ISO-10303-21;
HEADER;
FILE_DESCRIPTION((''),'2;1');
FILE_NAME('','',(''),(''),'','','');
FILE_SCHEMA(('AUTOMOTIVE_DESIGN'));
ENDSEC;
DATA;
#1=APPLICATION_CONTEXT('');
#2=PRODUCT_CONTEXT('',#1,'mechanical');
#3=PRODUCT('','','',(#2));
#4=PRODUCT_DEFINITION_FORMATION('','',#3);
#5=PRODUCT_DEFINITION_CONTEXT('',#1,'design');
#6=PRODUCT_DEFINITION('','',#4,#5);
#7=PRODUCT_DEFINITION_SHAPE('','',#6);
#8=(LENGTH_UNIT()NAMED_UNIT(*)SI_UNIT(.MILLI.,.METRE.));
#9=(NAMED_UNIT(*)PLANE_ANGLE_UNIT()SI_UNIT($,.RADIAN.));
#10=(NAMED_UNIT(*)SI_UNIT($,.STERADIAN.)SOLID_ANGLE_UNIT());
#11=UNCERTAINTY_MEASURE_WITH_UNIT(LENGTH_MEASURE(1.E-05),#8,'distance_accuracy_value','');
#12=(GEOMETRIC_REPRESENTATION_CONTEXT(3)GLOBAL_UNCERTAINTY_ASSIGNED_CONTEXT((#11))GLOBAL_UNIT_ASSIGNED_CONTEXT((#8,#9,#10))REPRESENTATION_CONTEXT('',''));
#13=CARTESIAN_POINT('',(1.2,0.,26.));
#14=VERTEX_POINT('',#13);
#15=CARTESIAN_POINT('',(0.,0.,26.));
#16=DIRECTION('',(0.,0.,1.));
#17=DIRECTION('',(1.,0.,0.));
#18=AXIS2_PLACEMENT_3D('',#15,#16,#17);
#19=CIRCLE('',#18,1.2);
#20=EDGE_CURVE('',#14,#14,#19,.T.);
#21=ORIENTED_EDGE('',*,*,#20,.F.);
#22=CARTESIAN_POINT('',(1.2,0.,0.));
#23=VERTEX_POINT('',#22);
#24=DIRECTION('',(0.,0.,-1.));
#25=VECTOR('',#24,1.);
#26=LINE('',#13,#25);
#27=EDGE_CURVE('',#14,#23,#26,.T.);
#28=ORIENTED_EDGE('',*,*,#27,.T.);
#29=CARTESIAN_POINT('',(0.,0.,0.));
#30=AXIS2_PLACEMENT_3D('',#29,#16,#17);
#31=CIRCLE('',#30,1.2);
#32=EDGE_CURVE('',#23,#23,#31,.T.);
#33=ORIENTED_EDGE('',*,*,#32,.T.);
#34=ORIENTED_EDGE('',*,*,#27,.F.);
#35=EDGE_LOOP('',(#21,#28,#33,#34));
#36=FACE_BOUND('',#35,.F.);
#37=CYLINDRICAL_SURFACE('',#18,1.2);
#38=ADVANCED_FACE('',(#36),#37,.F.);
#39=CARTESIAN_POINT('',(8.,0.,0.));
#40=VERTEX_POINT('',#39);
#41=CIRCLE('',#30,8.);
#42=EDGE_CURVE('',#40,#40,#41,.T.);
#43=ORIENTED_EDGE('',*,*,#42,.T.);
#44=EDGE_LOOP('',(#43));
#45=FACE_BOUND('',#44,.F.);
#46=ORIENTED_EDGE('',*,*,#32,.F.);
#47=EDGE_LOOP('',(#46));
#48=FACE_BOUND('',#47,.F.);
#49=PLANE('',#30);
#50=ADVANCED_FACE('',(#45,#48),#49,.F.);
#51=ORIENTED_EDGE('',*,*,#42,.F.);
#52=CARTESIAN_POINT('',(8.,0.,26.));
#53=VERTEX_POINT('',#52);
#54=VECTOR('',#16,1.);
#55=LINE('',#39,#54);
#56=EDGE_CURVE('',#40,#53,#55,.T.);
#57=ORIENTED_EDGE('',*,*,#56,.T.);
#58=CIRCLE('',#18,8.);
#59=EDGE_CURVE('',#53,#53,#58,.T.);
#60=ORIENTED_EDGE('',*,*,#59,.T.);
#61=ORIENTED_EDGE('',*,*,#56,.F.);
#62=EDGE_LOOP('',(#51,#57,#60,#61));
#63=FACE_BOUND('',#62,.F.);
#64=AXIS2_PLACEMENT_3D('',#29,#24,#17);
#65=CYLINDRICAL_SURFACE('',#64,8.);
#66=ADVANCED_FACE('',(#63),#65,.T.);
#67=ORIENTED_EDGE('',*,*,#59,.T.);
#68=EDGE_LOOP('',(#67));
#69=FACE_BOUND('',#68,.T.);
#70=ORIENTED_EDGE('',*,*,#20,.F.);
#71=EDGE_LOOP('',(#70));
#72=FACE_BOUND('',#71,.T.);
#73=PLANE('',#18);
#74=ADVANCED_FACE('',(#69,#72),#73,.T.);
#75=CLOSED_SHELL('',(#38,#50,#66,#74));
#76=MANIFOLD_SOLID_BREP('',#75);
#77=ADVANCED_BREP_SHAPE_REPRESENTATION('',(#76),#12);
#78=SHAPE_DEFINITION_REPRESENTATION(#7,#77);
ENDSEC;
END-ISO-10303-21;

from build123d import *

# Parameters (mm, degrees)
SKETCH_R     = 8
PAD_DEPTH    = 26
SKETCH001_R  = 1.2
POCKET_DEPTH = 35


with BuildPart() as part:
    # Sketch → Pad (new body)
    with BuildSketch(Plane.XY):
        Circle(SKETCH_R)
    extrude(amount=PAD_DEPTH)

    # Sketch001 (on Face3 of Pad) → Pocket (cut)
    with BuildSketch(Plane.XY.offset(26)):
        Circle(SKETCH001_R)
    extrude(amount=-POCKET_DEPTH, mode=Mode.SUBTRACT)


solid = part.part
